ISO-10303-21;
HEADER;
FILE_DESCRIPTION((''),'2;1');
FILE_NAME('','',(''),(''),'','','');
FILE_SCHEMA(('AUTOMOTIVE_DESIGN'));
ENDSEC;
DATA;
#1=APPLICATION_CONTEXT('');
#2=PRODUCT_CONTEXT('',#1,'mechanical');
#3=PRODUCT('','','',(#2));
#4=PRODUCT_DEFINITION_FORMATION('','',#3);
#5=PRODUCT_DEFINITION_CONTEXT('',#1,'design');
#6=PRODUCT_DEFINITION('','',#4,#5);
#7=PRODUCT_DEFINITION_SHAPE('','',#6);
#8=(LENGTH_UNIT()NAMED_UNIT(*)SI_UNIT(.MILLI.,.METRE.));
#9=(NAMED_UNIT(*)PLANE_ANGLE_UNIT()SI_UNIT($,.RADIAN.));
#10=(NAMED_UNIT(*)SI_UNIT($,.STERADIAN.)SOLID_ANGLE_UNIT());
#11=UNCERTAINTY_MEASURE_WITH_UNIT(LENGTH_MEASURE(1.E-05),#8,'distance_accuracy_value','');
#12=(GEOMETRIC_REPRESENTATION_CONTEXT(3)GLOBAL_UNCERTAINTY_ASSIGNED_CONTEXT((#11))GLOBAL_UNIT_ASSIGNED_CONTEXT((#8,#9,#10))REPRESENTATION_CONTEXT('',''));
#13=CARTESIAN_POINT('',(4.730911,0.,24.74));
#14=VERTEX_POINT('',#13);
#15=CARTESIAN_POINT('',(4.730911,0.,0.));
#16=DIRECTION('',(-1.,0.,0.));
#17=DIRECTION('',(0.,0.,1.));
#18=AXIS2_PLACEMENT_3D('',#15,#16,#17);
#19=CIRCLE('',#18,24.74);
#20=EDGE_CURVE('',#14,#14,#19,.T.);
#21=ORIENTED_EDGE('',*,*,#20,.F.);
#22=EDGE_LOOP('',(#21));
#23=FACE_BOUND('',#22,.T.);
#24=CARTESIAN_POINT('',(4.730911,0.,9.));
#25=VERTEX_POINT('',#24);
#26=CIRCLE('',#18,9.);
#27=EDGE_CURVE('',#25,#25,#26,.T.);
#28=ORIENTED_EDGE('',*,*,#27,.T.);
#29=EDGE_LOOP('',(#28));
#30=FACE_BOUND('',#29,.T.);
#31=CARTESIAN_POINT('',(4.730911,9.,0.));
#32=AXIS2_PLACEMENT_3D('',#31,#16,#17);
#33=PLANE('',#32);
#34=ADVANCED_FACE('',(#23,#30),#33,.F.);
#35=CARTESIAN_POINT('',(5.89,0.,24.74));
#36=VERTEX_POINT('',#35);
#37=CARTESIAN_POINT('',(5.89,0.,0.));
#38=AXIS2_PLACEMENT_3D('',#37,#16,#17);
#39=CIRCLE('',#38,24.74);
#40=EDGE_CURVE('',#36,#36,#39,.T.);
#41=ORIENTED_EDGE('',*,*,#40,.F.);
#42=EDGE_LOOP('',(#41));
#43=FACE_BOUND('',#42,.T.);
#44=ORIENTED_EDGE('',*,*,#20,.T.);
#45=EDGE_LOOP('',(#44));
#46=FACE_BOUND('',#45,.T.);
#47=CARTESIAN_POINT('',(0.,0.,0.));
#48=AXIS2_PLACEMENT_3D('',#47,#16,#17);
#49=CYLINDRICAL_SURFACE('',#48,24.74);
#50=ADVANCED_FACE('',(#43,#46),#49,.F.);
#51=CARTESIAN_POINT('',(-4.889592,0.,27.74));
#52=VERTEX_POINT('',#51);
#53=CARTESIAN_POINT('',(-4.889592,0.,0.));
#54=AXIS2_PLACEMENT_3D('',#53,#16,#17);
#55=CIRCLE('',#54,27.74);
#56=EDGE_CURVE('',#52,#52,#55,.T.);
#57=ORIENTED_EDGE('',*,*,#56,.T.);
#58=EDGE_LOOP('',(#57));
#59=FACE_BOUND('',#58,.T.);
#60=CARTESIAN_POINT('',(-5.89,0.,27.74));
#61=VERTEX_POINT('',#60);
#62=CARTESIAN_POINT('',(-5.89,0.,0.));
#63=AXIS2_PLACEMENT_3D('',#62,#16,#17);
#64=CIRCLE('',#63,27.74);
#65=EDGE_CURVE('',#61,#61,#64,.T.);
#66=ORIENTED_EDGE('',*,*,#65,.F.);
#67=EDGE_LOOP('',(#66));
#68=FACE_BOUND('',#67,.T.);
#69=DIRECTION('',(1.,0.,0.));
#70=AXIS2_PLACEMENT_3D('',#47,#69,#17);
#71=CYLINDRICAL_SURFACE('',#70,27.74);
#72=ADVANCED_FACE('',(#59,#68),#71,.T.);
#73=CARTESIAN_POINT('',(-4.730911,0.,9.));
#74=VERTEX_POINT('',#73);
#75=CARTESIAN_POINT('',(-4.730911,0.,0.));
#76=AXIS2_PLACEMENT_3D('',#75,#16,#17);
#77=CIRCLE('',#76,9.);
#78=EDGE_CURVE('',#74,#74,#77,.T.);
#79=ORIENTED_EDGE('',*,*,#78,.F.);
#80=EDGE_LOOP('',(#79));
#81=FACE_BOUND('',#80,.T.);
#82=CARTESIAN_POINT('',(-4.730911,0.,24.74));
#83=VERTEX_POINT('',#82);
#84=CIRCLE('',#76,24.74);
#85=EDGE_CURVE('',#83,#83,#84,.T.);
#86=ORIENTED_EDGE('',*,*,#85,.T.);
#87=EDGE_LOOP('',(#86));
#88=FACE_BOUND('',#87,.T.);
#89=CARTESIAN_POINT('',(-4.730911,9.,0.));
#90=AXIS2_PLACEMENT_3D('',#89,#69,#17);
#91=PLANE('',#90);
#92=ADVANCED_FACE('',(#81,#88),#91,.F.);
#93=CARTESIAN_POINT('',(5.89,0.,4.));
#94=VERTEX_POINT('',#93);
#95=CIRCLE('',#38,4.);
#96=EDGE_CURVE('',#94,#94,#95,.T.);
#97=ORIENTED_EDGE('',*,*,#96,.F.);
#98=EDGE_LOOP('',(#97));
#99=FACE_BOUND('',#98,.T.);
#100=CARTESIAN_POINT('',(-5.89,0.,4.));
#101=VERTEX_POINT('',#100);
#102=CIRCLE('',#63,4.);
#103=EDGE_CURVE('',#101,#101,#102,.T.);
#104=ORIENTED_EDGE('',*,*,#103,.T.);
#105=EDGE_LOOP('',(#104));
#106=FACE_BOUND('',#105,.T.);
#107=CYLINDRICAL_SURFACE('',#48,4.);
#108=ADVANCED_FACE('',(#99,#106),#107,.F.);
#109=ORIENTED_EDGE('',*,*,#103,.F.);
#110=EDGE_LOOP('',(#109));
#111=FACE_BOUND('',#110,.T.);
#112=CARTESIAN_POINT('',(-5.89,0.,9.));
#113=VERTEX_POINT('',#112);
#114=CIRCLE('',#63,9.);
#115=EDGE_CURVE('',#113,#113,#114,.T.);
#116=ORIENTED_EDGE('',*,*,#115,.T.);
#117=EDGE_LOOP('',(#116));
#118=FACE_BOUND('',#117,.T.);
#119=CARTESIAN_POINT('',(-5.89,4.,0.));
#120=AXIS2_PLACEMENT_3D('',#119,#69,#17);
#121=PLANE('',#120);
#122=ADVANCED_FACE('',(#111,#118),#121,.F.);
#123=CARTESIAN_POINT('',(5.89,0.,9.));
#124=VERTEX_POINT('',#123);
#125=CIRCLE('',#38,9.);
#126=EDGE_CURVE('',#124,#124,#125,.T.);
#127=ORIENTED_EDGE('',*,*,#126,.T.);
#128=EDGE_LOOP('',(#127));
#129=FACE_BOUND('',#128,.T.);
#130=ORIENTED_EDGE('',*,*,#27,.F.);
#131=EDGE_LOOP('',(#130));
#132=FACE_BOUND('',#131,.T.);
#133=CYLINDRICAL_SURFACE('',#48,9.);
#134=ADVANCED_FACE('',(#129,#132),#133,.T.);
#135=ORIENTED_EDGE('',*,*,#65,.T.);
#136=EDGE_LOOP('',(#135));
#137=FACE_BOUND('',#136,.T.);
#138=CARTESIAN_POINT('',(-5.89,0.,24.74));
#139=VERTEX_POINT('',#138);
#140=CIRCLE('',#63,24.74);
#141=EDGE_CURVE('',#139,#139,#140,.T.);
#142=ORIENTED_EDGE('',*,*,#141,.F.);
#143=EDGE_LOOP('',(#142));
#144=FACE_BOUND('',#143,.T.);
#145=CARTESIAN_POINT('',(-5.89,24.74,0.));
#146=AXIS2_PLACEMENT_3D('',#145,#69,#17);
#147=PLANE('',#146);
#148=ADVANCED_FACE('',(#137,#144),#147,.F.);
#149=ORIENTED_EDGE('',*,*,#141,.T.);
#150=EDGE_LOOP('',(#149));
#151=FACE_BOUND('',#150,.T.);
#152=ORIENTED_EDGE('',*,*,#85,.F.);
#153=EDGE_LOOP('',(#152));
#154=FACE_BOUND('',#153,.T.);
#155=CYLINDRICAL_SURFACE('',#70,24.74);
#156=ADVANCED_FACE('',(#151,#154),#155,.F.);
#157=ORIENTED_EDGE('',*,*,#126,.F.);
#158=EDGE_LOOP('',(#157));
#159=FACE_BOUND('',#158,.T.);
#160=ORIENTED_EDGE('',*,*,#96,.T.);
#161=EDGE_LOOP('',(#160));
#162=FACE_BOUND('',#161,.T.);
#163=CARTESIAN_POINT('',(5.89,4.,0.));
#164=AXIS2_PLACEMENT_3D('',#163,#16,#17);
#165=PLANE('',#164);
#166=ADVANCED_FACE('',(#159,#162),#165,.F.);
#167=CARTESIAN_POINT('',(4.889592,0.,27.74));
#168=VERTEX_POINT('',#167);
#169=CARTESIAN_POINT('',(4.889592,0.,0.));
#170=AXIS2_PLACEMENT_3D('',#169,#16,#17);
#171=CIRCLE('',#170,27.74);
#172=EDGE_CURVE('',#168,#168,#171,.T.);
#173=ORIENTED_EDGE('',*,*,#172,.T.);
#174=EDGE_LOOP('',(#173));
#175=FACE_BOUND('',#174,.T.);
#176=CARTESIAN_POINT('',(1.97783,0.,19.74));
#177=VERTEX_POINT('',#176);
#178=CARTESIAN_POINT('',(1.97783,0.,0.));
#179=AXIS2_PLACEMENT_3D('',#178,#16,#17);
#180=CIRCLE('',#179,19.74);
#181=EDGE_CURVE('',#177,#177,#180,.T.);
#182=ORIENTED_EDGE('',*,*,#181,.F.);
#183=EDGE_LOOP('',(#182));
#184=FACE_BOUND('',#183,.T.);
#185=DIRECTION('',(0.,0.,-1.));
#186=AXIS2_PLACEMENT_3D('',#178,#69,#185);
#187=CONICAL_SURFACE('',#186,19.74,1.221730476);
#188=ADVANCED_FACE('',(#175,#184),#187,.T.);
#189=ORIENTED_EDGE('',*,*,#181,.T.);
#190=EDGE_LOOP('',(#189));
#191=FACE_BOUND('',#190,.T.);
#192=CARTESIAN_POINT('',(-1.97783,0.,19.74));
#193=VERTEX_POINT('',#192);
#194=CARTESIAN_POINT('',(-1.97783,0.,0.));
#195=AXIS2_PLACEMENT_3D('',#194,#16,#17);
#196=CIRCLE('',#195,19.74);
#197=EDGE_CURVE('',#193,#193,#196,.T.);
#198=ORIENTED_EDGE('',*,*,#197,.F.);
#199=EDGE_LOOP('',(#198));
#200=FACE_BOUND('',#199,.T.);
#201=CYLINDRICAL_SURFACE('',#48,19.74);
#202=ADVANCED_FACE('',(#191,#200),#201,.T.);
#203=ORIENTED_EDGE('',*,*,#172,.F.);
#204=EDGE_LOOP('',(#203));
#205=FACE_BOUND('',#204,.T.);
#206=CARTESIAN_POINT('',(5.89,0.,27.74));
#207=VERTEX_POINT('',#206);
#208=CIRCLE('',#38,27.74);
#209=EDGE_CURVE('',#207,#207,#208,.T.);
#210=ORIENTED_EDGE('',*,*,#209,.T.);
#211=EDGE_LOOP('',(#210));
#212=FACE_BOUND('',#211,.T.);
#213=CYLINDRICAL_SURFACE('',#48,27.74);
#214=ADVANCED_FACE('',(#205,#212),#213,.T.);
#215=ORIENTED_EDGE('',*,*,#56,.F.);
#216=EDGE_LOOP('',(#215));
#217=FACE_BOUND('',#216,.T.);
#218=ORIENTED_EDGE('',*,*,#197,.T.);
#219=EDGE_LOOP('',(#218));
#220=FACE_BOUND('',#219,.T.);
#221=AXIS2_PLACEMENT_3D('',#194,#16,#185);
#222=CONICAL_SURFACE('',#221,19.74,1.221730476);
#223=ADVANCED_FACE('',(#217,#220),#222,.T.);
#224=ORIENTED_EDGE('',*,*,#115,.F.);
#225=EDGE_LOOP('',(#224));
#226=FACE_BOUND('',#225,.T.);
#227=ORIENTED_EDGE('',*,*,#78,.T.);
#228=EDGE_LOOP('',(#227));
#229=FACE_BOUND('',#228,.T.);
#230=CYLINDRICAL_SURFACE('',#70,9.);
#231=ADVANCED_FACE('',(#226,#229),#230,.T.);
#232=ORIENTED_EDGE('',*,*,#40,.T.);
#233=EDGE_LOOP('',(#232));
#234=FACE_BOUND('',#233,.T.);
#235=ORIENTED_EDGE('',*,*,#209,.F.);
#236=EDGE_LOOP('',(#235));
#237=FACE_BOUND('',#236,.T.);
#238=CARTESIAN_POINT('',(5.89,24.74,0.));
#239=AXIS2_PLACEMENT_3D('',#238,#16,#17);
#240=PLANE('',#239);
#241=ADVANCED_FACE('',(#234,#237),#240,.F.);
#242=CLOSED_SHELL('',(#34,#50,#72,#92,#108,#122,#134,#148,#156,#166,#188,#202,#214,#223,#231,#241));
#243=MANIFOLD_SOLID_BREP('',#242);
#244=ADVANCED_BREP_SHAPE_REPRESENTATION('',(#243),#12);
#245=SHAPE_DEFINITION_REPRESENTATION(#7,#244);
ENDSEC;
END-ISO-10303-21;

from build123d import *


with BuildPart() as part:
    # Sketch1 → Revolve1 (revolve)
    with BuildSketch(Plane.XY, mode=Mode.PRIVATE) as revolve1_sk:
        Polygon((0, 4), (5.89, 4), (5.89, 9), (4.730911447, 9), (4.730911447, 24.74), (5.89, 24.74), (5.89, 27.74), (0, 27.74), align=None)
    revolve1 = revolve(revolve1_sk.sketch.rotate(Axis((0, 0, 0), (1, 0, 0)), 90), axis=Axis((0, 0, 0), (1, 0, 0)))

    # Sketch2 → Cut-Revolve1 (revolve, cut)
    with BuildSketch(Plane.XY, mode=Mode.PRIVATE) as cut_revolve1_sk:
        Polygon((0, 19.74), (1.977829822, 19.74), (4.889591697, 27.74), (0, 27.74), align=None)
    cut_revolve1 = revolve(cut_revolve1_sk.sketch.rotate(Axis((0, 0, 0), (1, 0, 0)), 90), axis=Axis((0, 0, 0), (1, 0, 0)), mode=Mode.SUBTRACT)

    # Mirror1: Revolve1, Cut-Revolve1 across plane
    add(revolve1.mirror(Plane(origin=(0, 27.74, 0), x_dir=(0, 0, 1), z_dir=(1, 0, 0))))
    add(cut_revolve1.mirror(Plane(origin=(0, 27.74, 0), x_dir=(0, 0, 1), z_dir=(1, 0, 0))), mode=Mode.SUBTRACT)


solid = part.part
